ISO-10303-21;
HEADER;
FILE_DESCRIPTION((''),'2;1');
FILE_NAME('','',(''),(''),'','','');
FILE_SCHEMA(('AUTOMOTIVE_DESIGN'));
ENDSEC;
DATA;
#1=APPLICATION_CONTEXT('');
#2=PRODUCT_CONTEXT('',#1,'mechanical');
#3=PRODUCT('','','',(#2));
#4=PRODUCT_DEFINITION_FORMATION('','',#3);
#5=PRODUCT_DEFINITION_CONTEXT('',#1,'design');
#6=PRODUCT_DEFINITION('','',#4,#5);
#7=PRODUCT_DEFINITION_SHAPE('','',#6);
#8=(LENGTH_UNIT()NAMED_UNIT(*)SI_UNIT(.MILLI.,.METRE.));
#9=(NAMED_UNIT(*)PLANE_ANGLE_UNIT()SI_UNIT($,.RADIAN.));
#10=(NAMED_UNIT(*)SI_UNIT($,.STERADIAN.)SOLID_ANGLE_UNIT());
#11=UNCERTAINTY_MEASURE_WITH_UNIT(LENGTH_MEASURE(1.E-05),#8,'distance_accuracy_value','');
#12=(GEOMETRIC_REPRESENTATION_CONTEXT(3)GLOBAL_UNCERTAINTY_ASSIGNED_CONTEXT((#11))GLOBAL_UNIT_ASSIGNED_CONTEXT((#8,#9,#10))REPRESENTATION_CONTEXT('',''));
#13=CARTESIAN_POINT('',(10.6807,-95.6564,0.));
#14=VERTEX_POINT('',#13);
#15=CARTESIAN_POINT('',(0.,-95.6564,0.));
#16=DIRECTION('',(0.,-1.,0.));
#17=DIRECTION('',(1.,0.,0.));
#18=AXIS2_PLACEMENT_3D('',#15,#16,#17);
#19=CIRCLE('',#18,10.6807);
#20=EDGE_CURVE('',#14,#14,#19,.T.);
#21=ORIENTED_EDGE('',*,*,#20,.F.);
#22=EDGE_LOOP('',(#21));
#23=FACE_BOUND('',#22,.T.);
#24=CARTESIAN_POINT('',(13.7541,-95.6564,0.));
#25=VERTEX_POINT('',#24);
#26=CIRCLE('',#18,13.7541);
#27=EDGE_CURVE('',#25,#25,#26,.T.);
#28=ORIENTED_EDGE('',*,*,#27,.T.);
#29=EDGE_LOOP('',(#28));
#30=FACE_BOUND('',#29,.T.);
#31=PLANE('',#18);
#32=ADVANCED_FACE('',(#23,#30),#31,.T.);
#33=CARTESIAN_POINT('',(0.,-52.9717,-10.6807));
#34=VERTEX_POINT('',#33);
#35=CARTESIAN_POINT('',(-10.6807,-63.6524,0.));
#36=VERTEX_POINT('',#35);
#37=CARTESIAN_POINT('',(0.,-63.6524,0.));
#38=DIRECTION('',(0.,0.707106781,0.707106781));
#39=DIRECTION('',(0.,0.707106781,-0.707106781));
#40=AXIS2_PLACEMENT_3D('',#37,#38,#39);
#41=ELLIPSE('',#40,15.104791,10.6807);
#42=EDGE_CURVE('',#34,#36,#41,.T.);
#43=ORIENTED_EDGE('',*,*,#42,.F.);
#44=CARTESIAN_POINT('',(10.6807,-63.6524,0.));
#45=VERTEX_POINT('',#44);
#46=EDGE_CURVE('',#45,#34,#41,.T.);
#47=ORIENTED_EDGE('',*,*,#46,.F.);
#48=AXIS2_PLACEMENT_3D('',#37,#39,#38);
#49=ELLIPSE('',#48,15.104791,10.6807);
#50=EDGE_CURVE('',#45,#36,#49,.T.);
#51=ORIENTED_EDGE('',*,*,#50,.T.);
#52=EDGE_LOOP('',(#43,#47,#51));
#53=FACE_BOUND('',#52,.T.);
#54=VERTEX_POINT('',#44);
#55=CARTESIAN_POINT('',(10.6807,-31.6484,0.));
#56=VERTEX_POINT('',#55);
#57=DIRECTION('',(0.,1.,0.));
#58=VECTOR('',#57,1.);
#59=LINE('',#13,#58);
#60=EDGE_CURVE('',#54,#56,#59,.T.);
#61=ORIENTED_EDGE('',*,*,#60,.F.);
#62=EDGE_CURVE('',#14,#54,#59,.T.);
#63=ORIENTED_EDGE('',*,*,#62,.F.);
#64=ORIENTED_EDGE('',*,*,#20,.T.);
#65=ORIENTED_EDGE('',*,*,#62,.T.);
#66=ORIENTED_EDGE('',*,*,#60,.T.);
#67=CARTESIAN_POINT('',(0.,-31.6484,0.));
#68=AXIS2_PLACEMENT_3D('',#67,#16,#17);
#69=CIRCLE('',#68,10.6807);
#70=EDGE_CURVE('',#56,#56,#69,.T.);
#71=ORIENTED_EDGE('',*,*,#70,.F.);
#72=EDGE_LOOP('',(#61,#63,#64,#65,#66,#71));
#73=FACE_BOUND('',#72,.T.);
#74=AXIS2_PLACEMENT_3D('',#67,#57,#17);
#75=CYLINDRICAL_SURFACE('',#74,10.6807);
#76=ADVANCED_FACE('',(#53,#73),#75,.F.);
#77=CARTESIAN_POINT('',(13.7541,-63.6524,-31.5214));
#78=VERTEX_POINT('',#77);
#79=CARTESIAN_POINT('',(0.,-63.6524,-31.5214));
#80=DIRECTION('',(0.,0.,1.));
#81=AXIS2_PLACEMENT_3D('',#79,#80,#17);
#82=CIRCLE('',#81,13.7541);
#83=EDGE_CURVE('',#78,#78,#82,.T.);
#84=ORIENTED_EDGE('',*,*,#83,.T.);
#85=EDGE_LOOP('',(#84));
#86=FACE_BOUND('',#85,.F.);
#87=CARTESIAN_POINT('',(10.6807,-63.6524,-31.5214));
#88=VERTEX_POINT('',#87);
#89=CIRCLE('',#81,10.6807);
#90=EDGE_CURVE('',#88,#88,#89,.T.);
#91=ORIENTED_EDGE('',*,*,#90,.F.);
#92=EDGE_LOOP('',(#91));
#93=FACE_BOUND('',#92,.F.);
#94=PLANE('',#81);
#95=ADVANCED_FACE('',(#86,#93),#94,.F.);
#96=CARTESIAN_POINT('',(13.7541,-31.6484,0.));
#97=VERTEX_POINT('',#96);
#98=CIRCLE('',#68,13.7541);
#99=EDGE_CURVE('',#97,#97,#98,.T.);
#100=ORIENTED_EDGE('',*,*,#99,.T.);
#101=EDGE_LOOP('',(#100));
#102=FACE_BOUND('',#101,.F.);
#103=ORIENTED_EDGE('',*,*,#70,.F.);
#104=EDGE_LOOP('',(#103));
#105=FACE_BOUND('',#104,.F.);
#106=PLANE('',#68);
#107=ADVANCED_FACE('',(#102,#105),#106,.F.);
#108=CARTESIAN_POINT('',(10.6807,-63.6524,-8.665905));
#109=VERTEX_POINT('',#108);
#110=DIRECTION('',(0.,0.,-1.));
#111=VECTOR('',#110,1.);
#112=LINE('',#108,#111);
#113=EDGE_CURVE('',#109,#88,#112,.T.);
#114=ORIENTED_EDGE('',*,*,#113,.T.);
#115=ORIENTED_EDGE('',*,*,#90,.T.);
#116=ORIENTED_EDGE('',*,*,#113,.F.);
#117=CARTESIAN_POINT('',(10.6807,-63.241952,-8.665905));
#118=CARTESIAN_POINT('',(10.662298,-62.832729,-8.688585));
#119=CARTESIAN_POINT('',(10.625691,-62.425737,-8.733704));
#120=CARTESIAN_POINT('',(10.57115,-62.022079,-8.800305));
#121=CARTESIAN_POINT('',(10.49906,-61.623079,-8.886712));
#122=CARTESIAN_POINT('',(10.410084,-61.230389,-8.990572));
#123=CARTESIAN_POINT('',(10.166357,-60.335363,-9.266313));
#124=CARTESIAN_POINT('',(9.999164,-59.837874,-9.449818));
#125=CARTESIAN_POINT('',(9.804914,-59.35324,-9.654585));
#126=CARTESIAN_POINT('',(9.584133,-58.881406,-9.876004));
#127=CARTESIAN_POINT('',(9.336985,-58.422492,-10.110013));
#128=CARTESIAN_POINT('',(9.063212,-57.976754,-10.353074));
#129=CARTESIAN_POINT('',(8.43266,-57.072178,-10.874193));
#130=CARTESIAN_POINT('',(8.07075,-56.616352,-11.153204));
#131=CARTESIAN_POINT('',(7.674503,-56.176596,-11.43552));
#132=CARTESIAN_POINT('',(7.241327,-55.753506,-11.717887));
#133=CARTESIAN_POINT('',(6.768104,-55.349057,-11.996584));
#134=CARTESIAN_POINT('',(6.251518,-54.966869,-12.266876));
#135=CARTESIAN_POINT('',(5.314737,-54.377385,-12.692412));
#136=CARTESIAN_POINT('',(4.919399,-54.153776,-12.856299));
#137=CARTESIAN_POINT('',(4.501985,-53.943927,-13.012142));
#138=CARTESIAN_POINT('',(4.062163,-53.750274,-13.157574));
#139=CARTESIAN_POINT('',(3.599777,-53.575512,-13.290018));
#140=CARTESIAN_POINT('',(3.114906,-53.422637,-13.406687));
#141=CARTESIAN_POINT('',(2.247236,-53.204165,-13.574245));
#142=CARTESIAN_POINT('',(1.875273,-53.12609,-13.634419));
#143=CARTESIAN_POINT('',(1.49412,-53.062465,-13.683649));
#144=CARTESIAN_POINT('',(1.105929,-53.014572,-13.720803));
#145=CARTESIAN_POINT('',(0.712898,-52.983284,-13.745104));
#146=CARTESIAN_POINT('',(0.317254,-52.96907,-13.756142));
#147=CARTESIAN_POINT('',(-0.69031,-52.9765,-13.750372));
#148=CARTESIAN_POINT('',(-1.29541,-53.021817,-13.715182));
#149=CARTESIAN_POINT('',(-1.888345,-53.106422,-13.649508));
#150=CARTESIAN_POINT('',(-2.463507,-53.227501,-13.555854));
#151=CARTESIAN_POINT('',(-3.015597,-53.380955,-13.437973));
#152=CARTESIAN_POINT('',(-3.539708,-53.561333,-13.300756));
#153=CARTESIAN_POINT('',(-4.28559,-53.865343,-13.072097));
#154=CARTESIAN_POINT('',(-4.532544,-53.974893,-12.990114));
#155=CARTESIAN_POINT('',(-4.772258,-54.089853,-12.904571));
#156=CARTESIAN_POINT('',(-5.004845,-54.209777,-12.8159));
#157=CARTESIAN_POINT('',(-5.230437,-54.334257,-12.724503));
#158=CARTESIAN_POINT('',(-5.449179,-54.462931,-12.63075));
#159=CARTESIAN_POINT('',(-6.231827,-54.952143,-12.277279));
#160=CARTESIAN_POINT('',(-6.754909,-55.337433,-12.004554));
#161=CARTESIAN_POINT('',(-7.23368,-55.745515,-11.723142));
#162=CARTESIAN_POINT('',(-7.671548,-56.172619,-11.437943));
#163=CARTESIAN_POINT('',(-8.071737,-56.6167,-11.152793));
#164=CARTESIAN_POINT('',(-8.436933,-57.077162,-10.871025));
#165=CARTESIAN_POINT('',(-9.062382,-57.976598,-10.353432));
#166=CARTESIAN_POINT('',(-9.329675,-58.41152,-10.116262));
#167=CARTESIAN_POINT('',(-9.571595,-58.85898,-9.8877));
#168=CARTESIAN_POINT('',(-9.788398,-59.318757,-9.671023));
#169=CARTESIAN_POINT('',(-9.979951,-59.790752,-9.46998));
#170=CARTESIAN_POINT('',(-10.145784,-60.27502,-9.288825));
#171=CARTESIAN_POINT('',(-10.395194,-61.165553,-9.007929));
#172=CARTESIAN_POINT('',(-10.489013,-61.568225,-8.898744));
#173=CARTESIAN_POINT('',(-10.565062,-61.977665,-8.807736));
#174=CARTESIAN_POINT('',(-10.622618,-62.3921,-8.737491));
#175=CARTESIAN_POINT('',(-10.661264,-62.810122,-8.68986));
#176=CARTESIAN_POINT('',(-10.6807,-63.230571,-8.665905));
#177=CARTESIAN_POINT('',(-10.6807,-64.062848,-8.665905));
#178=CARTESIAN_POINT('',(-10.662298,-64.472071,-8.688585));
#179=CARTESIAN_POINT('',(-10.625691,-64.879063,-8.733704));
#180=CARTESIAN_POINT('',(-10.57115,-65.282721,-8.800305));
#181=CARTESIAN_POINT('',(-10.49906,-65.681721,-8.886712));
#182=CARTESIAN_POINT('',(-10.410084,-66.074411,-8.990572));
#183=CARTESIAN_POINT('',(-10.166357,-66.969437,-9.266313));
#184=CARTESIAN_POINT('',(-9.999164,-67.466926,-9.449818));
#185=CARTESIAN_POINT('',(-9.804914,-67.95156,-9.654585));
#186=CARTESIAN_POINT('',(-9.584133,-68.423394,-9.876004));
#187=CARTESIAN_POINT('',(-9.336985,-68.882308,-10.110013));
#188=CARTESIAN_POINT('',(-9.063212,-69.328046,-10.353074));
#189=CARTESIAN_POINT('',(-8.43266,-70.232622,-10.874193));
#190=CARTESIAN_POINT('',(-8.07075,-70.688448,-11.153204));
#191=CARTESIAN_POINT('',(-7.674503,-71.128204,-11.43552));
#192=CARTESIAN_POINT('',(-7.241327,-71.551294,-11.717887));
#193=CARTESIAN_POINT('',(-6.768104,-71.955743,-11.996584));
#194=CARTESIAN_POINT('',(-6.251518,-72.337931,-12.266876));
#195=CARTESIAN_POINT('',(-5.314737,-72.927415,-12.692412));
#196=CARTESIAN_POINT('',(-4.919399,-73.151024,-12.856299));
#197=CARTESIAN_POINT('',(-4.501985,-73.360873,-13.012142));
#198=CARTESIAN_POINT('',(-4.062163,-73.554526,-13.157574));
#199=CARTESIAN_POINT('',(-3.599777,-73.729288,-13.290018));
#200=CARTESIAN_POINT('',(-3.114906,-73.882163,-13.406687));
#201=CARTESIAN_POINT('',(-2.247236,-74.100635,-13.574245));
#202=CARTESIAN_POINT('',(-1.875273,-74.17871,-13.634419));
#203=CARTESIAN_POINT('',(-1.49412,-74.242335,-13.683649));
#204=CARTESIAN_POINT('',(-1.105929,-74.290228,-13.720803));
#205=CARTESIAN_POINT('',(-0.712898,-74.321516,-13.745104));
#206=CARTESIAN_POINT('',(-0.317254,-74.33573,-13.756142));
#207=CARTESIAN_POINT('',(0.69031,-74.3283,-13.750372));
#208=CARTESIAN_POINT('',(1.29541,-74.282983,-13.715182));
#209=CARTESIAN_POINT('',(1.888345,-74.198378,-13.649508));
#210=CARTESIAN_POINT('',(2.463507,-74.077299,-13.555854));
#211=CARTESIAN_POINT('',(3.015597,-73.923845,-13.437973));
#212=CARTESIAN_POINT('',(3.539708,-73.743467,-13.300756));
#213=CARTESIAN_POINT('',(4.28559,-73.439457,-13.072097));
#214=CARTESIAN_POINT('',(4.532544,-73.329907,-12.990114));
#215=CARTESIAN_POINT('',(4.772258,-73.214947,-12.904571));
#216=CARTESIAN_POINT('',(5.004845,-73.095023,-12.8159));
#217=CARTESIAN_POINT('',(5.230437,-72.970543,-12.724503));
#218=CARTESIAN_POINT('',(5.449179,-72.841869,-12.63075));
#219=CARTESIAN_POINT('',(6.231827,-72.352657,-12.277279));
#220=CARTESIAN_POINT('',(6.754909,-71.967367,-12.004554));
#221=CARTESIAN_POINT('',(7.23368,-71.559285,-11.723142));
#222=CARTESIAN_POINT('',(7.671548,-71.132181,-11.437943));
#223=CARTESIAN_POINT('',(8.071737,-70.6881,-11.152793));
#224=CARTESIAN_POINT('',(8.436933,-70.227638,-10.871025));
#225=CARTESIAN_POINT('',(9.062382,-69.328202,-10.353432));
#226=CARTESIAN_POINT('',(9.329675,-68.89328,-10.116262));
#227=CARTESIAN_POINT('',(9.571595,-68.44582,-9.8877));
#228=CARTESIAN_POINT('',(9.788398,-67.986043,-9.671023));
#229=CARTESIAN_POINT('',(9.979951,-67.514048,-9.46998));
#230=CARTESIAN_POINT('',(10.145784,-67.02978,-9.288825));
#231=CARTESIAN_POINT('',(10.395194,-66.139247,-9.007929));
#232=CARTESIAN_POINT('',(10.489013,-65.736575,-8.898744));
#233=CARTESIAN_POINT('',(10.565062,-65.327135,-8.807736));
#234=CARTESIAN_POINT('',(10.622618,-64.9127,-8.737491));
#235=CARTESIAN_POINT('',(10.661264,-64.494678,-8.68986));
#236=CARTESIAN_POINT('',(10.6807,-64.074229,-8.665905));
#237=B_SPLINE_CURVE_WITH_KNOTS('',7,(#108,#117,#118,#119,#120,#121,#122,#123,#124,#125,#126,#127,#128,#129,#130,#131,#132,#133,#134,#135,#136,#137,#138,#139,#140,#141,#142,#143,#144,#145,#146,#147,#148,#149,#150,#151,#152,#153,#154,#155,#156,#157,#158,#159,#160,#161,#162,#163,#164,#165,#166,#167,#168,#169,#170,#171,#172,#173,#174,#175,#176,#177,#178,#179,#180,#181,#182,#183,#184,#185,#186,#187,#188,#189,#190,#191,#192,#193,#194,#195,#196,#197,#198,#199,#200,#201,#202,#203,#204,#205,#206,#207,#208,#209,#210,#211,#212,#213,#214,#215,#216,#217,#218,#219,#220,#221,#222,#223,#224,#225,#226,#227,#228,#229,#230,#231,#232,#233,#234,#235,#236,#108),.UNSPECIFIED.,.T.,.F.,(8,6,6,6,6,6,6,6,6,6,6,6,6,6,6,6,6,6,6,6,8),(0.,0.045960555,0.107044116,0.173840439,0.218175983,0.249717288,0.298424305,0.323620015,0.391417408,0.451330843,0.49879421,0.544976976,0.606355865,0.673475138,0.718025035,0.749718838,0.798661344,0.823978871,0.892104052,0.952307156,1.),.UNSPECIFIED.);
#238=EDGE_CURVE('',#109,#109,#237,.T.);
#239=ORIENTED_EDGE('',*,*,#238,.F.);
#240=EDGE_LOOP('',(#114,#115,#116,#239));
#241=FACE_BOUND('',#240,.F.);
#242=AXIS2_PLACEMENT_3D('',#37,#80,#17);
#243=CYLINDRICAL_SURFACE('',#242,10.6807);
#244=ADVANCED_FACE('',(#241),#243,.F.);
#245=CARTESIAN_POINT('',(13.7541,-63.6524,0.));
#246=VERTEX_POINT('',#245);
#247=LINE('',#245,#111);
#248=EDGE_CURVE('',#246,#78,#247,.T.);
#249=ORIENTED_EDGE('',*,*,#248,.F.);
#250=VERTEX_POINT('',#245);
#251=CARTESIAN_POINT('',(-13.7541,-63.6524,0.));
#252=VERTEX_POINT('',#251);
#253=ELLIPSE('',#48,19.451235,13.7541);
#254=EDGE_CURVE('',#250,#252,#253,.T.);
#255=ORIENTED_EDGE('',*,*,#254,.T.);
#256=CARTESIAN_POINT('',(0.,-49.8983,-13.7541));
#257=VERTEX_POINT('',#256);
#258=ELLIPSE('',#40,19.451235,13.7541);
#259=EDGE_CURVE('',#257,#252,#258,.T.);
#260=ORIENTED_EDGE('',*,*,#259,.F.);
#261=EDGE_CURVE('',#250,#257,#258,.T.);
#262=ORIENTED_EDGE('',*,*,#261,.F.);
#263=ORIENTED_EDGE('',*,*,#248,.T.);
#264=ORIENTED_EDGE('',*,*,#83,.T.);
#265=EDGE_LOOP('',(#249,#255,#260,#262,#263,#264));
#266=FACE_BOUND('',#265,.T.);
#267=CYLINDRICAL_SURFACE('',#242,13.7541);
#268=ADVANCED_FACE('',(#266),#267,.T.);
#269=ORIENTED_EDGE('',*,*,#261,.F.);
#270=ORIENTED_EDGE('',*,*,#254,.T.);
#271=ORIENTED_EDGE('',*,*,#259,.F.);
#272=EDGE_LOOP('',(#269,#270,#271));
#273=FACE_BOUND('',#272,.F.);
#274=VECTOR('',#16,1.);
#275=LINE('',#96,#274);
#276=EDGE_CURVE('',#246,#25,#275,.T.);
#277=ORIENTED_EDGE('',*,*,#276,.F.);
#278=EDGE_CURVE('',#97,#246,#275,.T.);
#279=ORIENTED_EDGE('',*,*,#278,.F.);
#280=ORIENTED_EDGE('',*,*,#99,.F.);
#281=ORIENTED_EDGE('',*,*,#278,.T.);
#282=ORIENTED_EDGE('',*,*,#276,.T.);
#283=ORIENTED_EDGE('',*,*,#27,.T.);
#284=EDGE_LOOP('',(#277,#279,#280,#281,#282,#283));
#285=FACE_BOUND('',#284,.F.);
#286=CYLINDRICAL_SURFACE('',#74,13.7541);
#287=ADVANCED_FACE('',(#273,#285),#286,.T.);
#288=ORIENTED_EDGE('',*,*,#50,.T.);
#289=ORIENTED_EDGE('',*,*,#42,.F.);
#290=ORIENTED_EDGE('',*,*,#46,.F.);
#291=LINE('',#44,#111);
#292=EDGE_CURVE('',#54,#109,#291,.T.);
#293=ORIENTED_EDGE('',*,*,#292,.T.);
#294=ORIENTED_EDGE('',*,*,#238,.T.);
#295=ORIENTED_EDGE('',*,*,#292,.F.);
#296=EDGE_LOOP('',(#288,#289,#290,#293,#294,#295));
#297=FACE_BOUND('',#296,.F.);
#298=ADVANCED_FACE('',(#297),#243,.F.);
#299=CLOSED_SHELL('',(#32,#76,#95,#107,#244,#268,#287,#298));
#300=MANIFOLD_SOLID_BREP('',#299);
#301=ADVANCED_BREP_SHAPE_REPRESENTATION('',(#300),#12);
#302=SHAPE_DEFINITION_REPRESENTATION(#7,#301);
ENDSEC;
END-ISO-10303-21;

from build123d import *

# Parameters (mm, degrees)
F1_R     = 13.7541
F1_R_2   = 10.6807
F2_DEPTH = 64.008
F3_R     = 13.7541
F3_R_2   = 10.6807
F4_DEPTH = 31.5214
F5_DEPTH = 64.009
F6_DEPTH = 25.4


with BuildPart() as f2:
    # F1 (on offset) → F2 (new body)
    with BuildSketch(Plane.XZ.offset(31.6484)):
        Circle(F1_R)
        Circle(F1_R_2, mode=Mode.SUBTRACT)
    extrude(amount=F2_DEPTH)

    # F3 (on Top) → F4 (join)
    with BuildSketch(Plane.XY):
        with Locations((0, -63.6524)):
            Circle(F3_R)
        with Locations((0, -63.6524)):
            Circle(F3_R_2, mode=Mode.SUBTRACT)
    extrude(amount=-F4_DEPTH)

    # F1 (on offset) → F5 (cut, through all)
    with BuildSketch(Plane.XZ.offset(31.6484)):
        Circle(F1_R_2)
    extrude(amount=F5_DEPTH, mode=Mode.SUBTRACT)

    # F3 (on Top) → F6 (cut)
    with BuildSketch(Plane.XY):
        with Locations((0, -63.6524)):
            Circle(F3_R_2)
    extrude(amount=-F6_DEPTH, mode=Mode.SUBTRACT)


solid = f2.part
